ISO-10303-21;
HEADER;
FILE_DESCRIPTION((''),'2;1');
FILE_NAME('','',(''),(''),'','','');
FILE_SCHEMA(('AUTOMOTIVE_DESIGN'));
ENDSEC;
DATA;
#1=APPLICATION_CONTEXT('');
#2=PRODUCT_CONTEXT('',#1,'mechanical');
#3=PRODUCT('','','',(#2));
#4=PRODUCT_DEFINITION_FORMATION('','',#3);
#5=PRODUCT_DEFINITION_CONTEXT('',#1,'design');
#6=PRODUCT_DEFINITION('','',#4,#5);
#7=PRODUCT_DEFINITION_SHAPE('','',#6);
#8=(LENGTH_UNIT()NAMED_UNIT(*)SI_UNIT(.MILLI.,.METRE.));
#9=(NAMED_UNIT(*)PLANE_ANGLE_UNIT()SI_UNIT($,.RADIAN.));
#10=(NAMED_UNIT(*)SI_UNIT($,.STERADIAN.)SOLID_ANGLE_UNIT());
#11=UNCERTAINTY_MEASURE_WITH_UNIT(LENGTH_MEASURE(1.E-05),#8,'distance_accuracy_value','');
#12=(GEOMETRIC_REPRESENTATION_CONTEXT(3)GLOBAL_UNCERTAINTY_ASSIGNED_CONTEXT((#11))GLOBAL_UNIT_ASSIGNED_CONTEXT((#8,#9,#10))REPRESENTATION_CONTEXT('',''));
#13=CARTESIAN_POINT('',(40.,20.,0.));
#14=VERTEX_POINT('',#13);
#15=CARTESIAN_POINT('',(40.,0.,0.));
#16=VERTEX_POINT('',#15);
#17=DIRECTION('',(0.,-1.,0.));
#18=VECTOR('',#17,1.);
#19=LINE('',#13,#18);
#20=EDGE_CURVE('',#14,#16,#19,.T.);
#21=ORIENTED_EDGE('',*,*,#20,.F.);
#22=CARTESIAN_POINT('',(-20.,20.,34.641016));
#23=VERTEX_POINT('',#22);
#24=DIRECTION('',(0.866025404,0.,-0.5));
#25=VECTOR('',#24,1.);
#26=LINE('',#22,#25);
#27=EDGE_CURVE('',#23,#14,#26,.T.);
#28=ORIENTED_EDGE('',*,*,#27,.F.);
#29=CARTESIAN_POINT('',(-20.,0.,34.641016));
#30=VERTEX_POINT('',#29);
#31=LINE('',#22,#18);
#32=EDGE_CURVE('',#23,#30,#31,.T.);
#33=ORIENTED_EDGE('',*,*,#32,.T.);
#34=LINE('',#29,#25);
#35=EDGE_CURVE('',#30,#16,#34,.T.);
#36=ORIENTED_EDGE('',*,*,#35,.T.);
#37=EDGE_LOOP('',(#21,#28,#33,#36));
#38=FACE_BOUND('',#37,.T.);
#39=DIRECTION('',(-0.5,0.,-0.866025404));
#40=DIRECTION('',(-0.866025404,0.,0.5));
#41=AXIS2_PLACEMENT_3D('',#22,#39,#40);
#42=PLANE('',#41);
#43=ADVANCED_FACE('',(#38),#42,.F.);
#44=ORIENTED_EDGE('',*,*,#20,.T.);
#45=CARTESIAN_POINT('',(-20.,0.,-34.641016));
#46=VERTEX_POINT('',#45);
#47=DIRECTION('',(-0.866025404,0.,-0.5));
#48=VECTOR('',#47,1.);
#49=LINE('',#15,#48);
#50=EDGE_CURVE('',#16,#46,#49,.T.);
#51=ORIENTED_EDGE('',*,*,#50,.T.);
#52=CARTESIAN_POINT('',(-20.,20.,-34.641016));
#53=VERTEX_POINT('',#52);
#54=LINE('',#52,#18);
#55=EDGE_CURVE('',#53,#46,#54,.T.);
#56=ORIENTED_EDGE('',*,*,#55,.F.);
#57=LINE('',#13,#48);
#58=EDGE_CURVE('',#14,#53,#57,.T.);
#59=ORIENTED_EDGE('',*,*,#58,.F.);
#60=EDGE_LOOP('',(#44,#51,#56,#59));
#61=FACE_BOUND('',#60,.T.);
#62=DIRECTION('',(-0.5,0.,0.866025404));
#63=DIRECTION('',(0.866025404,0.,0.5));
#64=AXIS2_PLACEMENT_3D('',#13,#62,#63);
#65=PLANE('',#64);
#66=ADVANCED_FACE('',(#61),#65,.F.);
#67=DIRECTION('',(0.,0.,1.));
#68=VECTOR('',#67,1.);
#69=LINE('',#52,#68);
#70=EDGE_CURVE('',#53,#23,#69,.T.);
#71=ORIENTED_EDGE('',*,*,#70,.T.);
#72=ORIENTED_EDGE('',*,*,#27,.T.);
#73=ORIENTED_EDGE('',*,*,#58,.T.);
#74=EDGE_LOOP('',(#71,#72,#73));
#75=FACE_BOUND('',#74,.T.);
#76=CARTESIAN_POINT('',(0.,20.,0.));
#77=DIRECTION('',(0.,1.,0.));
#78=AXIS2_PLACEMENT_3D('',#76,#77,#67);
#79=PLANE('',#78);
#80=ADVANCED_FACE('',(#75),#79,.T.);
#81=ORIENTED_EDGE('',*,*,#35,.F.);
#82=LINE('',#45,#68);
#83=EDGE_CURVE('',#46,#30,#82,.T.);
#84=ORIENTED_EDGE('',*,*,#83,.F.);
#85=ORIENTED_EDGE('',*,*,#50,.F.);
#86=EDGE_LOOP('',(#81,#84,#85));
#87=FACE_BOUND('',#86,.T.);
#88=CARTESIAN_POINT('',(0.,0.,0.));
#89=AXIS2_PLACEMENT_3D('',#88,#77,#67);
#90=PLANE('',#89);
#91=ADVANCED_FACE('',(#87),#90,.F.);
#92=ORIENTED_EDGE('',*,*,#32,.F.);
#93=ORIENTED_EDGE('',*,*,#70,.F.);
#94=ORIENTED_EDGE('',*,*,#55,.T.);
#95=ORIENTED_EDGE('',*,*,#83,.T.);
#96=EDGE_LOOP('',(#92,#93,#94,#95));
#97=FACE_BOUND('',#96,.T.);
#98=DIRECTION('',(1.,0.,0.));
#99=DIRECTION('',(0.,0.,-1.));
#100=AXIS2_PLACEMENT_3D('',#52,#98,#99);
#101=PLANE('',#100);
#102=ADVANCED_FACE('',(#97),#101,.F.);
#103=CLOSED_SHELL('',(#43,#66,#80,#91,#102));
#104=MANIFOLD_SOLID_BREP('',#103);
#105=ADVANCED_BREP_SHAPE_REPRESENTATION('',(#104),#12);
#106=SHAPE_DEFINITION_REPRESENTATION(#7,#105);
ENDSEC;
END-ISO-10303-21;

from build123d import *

# Parameters (mm, degrees)
BOSS_EXTRUDE1_DEPTH = 20


with BuildPart() as part:
    # Sketch1 → Boss-Extrude1 (new body)
    with BuildSketch(Plane(origin=(0, 0, 0), x_dir=(1, 0, 0), z_dir=(0, 1, 0))):
        Polygon((40, 0), (-20, 34.641016151), (-20, -34.641016151), align=None)
    extrude(amount=BOSS_EXTRUDE1_DEPTH)


solid = part.part
